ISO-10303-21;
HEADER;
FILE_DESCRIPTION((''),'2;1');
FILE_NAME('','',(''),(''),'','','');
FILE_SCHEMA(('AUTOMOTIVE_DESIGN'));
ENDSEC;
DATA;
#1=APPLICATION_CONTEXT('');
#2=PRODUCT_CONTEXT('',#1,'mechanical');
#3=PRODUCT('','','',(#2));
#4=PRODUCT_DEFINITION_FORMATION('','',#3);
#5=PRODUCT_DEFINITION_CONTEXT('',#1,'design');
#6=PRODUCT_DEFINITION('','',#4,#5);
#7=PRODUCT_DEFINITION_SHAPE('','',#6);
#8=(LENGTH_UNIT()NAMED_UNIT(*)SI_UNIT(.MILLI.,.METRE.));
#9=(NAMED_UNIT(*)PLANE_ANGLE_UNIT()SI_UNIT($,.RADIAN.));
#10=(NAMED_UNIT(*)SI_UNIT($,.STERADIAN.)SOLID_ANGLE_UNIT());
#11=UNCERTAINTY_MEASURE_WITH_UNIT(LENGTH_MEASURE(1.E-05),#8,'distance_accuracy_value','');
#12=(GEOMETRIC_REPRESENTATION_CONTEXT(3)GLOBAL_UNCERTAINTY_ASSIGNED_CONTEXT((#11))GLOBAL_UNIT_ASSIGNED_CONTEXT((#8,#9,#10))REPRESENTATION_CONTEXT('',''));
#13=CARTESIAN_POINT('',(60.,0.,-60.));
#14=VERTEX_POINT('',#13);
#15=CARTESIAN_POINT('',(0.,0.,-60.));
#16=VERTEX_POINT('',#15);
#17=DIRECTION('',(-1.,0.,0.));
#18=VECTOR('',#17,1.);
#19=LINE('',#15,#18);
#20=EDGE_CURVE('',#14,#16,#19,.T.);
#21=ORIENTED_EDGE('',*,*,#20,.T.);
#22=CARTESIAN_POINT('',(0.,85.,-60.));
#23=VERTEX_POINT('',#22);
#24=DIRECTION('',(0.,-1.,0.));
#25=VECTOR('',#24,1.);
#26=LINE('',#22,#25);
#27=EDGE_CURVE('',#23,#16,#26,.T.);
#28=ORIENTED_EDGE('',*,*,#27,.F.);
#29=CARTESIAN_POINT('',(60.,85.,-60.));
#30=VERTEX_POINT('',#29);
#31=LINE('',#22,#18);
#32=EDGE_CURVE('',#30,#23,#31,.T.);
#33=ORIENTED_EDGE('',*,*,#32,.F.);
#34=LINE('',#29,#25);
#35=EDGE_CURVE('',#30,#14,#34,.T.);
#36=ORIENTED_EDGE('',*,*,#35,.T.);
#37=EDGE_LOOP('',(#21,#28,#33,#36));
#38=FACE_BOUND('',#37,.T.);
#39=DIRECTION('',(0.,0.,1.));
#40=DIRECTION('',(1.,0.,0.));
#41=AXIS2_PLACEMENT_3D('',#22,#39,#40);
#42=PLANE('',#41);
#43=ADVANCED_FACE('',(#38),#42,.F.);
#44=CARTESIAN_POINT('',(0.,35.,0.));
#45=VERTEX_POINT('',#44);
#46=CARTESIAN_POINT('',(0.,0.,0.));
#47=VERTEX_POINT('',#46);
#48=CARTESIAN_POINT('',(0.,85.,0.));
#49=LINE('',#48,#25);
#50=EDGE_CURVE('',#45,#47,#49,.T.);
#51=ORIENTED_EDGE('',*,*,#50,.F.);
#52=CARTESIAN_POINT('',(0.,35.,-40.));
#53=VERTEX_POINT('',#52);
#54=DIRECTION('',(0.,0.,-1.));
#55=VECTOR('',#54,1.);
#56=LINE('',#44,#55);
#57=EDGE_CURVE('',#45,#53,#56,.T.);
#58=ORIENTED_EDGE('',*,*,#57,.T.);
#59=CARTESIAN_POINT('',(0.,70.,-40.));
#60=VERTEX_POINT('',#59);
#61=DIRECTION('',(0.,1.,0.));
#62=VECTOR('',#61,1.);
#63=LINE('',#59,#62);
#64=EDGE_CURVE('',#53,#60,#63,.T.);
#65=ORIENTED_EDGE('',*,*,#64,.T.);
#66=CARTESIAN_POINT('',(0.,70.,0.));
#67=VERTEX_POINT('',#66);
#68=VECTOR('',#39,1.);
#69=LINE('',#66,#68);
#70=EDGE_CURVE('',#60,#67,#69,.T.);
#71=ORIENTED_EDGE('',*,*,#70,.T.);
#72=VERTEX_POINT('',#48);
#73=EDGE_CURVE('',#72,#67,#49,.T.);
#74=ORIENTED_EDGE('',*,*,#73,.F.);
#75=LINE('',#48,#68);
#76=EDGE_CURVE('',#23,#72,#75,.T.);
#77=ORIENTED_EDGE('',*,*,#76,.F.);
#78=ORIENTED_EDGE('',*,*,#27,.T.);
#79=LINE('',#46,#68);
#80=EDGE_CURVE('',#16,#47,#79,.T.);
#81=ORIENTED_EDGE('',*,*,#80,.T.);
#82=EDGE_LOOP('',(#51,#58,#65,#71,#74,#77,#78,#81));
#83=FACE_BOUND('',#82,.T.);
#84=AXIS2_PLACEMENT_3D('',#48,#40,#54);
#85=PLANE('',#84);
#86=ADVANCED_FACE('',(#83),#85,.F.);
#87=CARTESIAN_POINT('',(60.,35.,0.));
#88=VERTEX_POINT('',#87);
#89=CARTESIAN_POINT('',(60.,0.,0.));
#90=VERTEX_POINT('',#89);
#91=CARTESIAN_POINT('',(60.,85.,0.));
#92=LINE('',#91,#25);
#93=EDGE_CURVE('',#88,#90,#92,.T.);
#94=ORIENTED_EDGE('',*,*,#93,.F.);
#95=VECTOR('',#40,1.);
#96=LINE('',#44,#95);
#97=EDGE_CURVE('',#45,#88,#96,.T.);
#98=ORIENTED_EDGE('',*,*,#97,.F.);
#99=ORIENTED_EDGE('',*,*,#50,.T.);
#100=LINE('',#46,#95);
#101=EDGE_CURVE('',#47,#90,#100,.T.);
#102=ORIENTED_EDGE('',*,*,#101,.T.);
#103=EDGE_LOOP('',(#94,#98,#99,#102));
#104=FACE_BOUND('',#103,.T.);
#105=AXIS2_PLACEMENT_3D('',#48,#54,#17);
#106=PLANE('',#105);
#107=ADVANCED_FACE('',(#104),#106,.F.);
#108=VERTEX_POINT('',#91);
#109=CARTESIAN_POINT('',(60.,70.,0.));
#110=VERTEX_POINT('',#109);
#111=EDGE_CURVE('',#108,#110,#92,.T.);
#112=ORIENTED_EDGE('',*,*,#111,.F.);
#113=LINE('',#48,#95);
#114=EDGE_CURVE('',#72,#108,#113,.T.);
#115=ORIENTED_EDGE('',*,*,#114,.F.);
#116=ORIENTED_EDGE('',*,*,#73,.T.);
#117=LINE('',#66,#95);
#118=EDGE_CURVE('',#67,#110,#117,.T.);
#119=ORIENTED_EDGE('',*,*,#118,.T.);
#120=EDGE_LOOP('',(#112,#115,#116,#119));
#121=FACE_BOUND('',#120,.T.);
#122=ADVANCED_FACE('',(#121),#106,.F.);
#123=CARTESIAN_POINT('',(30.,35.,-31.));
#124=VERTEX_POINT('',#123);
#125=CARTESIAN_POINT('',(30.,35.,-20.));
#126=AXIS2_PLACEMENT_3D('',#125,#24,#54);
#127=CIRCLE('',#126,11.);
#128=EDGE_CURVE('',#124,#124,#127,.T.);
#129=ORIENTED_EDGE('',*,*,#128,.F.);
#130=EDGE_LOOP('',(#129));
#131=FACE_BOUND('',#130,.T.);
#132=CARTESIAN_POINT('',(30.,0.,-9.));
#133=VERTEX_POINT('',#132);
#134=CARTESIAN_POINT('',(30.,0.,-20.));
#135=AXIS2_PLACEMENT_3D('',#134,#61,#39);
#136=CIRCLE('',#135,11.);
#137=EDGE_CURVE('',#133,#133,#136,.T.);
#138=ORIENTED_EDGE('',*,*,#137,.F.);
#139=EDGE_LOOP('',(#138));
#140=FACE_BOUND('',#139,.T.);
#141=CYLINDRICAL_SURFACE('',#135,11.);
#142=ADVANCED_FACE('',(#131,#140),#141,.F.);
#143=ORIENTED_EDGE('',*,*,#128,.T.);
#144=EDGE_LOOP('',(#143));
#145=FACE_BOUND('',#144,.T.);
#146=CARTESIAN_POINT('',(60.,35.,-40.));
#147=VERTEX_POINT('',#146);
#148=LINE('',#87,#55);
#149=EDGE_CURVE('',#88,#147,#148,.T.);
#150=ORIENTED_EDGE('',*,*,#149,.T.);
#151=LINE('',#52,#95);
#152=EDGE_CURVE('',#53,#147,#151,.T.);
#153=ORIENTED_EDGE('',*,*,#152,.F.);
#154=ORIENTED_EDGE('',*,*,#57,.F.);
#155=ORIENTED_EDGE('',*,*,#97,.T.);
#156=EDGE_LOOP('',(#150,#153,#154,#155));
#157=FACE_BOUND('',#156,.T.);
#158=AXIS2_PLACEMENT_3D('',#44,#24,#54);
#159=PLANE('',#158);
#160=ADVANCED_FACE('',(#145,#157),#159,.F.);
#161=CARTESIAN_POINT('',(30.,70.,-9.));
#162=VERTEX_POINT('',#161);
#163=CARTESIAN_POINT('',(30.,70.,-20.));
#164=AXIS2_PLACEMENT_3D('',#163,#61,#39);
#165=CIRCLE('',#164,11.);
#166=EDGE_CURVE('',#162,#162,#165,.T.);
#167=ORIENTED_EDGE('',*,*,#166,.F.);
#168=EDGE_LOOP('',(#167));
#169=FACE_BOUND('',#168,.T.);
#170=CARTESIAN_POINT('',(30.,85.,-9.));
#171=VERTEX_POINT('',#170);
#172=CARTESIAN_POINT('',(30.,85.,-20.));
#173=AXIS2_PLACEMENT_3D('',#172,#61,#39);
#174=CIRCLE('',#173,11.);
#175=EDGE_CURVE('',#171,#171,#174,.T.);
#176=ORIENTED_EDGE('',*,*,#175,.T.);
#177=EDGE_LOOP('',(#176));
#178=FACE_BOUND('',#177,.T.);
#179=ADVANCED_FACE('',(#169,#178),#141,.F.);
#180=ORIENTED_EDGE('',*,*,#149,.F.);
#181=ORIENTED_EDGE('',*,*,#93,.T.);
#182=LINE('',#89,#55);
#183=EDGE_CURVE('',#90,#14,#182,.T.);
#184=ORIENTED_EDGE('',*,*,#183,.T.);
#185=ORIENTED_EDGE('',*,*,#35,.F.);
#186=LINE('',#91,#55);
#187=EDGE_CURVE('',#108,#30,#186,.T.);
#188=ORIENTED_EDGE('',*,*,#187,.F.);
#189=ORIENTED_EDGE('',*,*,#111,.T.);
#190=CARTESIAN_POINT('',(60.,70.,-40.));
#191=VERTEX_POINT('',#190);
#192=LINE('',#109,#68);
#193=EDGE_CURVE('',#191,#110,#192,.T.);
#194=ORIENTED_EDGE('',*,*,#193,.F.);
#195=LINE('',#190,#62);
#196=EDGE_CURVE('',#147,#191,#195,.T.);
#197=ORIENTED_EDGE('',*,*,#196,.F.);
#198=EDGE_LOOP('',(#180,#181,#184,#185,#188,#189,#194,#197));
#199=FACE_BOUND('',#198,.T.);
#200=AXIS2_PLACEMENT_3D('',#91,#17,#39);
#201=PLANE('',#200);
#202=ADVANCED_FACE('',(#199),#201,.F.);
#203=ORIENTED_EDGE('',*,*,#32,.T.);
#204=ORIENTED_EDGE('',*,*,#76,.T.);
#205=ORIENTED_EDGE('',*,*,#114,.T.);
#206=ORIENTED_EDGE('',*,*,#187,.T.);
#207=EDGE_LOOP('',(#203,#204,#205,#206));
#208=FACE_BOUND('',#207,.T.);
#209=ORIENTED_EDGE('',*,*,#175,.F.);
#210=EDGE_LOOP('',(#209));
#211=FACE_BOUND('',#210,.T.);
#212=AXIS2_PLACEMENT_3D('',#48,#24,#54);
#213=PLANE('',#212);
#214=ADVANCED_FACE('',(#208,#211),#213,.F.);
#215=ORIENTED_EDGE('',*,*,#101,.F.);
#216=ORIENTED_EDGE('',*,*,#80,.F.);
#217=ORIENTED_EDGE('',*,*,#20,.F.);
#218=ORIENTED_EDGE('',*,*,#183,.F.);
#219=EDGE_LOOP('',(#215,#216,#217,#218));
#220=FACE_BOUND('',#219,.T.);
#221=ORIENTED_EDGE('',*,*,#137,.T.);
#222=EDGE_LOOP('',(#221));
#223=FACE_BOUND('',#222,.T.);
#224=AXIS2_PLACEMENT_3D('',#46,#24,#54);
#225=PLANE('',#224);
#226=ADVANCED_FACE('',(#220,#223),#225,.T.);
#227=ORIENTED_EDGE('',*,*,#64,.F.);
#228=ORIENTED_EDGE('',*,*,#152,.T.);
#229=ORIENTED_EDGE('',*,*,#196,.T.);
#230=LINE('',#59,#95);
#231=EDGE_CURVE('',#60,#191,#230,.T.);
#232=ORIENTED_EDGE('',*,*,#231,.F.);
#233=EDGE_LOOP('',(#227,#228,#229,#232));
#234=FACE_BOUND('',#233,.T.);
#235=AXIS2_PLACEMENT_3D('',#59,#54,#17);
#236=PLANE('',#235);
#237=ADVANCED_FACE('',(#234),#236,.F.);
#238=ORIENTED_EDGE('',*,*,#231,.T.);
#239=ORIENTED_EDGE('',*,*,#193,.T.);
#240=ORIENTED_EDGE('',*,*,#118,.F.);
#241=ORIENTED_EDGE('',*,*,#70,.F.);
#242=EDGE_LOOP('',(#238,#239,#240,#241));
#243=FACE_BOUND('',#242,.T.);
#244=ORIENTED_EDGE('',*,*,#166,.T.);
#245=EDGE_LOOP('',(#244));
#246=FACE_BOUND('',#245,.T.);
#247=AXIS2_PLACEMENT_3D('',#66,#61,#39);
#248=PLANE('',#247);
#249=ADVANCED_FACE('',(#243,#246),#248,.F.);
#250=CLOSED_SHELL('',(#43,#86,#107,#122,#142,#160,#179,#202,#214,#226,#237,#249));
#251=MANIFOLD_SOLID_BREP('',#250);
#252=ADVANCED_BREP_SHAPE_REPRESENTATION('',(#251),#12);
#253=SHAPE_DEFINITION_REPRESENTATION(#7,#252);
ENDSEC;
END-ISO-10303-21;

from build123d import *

# Parameters (mm, degrees)
SKETCH1_W               = 60
SKETCH1_H               = 60
BOSS_EXTRUDE1_DEPTH     = 85
SKETCH2_W               = 40
SKETCH2_H               = 35
CUT_EXTRUDE1_DEPTH      = 121.104121495
CUT_EXTRUDE2_DEPTH      = 99.488578018
CUT_EXTRUDE2_DEPTH_BACK = 99.488578018
SKETCH3_R               = 11


with BuildPart() as part:
    # Sketch1 → Boss-Extrude1 (new body)
    with BuildSketch(Plane(origin=(0, 0, 0), x_dir=(1, 0, 0), z_dir=(0, 1, 0))):
        with Locations((30, 30)):
            Rectangle(SKETCH1_W, SKETCH1_H)
    extrude(amount=BOSS_EXTRUDE1_DEPTH)

    # Sketch2 → Cut-Extrude1 (cut, through all)
    with BuildSketch(Plane(origin=(60, 0, 0), x_dir=(0, 0, -1), z_dir=(1, 0, 0))):
        with Locations((20, 52.5)):
            Rectangle(SKETCH2_W, SKETCH2_H)
    extrude(amount=-CUT_EXTRUDE1_DEPTH, mode=Mode.SUBTRACT)

    # Sketch3 → Cut-Extrude2 (cut, two sides: drawn at the far end of the back side and taken through both)
    with BuildSketch(Plane(origin=(0, 35, 0), x_dir=(1, 0, 0), z_dir=(0, 1, 0)).offset(-CUT_EXTRUDE2_DEPTH_BACK)):
        with Locations(Location((30, 20, 0), (0, 0, 270))):
            Circle(SKETCH3_R)
    extrude(amount=CUT_EXTRUDE2_DEPTH + CUT_EXTRUDE2_DEPTH_BACK, mode=Mode.SUBTRACT)


solid = part.part
